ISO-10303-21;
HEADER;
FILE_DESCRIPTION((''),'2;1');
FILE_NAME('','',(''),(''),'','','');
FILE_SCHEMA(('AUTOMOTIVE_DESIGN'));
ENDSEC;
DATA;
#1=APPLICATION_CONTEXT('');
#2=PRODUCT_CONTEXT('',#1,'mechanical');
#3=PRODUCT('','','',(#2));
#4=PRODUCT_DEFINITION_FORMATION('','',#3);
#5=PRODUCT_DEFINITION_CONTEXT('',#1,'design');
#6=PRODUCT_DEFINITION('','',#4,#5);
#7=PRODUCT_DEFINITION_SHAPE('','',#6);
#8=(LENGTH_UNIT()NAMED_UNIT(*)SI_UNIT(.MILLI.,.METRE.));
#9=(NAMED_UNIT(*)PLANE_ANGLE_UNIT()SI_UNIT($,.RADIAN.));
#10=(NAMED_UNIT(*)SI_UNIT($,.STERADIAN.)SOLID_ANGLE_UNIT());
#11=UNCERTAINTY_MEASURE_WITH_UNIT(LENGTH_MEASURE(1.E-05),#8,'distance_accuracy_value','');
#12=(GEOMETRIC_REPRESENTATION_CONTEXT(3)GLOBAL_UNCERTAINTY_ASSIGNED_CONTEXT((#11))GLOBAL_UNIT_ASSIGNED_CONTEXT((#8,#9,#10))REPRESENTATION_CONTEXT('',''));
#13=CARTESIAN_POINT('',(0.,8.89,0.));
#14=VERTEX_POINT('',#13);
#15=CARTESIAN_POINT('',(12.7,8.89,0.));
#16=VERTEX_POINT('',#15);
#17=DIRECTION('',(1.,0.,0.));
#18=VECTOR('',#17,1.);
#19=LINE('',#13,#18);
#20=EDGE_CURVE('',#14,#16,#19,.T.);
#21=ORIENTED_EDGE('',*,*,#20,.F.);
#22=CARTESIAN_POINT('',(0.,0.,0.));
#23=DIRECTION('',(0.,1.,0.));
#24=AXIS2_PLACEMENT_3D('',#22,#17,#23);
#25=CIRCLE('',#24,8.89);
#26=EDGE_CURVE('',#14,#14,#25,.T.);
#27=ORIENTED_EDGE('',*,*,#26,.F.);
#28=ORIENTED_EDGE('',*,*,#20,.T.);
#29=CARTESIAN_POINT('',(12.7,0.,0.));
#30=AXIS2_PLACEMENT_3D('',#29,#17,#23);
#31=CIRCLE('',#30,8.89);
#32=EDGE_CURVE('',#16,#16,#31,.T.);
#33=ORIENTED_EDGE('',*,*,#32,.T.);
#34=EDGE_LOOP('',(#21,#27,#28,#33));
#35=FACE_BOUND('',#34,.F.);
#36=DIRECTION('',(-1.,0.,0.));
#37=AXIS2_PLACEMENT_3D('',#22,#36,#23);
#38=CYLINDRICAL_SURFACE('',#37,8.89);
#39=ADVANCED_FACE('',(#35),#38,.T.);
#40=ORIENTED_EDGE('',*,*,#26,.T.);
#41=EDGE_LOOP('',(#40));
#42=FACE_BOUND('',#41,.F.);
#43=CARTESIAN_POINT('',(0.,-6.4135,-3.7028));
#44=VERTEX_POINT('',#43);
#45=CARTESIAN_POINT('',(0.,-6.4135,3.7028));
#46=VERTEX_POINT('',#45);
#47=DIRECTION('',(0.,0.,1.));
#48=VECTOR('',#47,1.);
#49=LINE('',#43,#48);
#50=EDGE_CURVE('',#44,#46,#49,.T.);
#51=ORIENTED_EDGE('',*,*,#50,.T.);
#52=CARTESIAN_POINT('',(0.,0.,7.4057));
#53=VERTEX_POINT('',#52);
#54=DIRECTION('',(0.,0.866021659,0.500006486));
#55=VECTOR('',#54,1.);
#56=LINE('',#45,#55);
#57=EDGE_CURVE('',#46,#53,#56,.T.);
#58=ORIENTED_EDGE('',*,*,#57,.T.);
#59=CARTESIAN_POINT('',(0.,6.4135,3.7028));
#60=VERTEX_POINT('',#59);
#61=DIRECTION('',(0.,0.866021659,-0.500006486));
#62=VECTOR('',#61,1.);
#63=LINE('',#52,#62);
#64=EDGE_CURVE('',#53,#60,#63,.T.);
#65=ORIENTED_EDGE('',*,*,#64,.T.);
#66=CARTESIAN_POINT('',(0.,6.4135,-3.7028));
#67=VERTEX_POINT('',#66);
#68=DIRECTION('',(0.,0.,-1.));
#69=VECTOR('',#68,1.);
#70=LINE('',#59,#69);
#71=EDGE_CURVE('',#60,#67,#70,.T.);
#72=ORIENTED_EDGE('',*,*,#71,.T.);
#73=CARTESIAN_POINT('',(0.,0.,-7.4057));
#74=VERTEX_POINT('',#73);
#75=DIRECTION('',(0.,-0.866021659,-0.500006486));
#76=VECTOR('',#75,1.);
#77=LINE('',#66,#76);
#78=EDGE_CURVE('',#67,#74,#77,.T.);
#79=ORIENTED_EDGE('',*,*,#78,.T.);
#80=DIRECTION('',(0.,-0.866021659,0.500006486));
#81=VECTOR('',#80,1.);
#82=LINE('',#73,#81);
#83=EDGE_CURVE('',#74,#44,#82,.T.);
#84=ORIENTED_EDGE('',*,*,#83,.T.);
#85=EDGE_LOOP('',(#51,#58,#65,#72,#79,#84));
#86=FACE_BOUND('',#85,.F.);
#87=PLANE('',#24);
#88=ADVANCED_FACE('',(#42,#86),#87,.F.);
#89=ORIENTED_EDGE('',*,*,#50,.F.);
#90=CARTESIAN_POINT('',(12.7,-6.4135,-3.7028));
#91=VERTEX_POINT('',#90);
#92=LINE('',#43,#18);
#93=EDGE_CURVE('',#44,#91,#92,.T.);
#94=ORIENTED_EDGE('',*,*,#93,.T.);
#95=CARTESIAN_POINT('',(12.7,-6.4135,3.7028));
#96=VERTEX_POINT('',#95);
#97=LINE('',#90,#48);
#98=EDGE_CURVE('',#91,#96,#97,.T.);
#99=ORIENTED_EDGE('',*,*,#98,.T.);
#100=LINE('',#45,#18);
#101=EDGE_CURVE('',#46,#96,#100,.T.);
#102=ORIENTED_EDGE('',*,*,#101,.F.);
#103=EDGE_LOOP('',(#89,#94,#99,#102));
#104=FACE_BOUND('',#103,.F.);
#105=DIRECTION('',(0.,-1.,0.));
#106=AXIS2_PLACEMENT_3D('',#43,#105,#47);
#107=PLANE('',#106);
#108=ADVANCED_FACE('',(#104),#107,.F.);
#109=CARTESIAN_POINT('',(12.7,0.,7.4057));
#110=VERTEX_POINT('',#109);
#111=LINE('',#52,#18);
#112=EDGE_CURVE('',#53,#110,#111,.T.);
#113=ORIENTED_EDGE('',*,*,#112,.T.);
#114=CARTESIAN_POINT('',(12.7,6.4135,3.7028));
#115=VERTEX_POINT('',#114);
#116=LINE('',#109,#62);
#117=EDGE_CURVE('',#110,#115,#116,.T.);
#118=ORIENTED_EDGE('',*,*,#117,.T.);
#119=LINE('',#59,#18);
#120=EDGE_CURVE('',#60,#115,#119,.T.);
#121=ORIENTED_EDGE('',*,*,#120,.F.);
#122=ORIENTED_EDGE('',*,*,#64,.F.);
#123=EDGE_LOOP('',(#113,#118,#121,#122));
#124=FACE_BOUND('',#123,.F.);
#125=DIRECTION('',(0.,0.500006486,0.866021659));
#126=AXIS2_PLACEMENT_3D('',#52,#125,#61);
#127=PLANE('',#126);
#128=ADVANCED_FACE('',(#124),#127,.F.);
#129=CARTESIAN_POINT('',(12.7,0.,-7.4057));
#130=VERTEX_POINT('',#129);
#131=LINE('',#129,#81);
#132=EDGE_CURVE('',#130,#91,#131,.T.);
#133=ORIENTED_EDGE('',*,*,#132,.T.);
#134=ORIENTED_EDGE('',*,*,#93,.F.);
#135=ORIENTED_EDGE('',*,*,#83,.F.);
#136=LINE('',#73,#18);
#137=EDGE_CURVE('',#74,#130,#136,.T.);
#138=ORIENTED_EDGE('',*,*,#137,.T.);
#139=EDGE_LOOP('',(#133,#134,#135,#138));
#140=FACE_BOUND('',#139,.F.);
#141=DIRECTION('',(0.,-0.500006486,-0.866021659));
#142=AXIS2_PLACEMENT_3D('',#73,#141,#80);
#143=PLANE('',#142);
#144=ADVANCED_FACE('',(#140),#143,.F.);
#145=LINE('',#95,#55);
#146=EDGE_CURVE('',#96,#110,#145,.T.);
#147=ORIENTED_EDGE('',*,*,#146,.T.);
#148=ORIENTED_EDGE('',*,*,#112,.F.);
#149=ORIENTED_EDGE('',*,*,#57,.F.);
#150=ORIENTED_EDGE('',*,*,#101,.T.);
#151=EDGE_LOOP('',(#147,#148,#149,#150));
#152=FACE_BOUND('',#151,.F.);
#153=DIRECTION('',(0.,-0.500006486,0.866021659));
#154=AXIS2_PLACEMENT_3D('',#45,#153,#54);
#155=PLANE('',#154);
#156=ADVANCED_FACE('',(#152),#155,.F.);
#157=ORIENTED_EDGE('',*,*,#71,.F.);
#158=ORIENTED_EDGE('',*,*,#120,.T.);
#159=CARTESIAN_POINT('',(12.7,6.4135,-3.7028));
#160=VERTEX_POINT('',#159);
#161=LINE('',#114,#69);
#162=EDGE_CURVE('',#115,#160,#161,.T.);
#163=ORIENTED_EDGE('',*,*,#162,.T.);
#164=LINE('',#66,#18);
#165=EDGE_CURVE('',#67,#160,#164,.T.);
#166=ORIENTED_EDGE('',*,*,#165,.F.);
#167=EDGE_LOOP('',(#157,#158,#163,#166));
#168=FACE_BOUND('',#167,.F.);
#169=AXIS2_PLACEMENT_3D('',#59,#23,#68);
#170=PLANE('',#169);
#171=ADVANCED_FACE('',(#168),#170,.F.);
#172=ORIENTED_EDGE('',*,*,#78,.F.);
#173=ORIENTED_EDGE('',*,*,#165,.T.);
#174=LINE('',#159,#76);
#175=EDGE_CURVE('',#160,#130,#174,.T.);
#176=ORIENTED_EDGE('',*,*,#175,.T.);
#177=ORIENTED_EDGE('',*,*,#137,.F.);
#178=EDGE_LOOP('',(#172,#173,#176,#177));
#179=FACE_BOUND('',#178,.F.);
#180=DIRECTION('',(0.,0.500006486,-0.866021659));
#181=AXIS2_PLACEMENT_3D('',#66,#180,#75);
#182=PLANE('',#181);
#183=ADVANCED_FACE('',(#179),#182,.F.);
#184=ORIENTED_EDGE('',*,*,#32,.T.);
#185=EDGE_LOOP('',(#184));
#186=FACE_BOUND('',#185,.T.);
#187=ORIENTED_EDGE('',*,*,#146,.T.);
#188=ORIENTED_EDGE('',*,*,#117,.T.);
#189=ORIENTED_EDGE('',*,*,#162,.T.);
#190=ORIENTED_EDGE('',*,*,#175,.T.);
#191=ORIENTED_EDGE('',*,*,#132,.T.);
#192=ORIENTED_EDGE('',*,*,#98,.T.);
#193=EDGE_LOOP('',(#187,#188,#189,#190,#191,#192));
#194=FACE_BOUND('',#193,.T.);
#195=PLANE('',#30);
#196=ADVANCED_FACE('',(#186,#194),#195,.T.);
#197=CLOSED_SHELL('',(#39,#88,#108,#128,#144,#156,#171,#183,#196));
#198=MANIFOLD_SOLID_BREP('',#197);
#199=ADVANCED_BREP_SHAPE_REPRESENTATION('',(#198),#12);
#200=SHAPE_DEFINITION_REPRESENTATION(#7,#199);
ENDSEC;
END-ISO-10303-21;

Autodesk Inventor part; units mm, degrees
ref_plane "YZ Plane" through (0, 0, 0) normal (1, 0, 0) x (0, 1, 0)
ref_plane "XZ Plane" through (0, 0, 0) normal (0, 1, 0) x (-1, 0, 0)
ref_plane "XY Plane" through (0, 0, 0) normal (0, 0, 1) x (1, 0, 0)
sketch "Sketch1" plane through (0, 0, 0) normal (1, 0, 0) x (0, 1, 0)
  line L0 (-6.4135, -3.7028) -> (-6.4135, 3.7028)
  line L1 (-6.4135, 3.7028) -> (0, 7.4057)
  line L2 (0, 7.4057) -> (6.4135, 3.7028)
  line L3 (6.4135, 3.7028) -> (6.4135, -3.7028)
  line L4 (6.4135, -3.7028) -> (0, -7.4057)
  line L5 (0, -7.4057) -> (-6.4135, -3.7028)
  circle A0 centre (0, 0) radius 8.89
  dimension "d0" = 12.827
  dimension "d1" = 17.78
extrude "Extrusion1" add sketch "Sketch1" along normal blind 12.7
properties part number "3DPRINT,BACKROLLERS,INTERROLLER,SPACER" material "ABS Plastic"
